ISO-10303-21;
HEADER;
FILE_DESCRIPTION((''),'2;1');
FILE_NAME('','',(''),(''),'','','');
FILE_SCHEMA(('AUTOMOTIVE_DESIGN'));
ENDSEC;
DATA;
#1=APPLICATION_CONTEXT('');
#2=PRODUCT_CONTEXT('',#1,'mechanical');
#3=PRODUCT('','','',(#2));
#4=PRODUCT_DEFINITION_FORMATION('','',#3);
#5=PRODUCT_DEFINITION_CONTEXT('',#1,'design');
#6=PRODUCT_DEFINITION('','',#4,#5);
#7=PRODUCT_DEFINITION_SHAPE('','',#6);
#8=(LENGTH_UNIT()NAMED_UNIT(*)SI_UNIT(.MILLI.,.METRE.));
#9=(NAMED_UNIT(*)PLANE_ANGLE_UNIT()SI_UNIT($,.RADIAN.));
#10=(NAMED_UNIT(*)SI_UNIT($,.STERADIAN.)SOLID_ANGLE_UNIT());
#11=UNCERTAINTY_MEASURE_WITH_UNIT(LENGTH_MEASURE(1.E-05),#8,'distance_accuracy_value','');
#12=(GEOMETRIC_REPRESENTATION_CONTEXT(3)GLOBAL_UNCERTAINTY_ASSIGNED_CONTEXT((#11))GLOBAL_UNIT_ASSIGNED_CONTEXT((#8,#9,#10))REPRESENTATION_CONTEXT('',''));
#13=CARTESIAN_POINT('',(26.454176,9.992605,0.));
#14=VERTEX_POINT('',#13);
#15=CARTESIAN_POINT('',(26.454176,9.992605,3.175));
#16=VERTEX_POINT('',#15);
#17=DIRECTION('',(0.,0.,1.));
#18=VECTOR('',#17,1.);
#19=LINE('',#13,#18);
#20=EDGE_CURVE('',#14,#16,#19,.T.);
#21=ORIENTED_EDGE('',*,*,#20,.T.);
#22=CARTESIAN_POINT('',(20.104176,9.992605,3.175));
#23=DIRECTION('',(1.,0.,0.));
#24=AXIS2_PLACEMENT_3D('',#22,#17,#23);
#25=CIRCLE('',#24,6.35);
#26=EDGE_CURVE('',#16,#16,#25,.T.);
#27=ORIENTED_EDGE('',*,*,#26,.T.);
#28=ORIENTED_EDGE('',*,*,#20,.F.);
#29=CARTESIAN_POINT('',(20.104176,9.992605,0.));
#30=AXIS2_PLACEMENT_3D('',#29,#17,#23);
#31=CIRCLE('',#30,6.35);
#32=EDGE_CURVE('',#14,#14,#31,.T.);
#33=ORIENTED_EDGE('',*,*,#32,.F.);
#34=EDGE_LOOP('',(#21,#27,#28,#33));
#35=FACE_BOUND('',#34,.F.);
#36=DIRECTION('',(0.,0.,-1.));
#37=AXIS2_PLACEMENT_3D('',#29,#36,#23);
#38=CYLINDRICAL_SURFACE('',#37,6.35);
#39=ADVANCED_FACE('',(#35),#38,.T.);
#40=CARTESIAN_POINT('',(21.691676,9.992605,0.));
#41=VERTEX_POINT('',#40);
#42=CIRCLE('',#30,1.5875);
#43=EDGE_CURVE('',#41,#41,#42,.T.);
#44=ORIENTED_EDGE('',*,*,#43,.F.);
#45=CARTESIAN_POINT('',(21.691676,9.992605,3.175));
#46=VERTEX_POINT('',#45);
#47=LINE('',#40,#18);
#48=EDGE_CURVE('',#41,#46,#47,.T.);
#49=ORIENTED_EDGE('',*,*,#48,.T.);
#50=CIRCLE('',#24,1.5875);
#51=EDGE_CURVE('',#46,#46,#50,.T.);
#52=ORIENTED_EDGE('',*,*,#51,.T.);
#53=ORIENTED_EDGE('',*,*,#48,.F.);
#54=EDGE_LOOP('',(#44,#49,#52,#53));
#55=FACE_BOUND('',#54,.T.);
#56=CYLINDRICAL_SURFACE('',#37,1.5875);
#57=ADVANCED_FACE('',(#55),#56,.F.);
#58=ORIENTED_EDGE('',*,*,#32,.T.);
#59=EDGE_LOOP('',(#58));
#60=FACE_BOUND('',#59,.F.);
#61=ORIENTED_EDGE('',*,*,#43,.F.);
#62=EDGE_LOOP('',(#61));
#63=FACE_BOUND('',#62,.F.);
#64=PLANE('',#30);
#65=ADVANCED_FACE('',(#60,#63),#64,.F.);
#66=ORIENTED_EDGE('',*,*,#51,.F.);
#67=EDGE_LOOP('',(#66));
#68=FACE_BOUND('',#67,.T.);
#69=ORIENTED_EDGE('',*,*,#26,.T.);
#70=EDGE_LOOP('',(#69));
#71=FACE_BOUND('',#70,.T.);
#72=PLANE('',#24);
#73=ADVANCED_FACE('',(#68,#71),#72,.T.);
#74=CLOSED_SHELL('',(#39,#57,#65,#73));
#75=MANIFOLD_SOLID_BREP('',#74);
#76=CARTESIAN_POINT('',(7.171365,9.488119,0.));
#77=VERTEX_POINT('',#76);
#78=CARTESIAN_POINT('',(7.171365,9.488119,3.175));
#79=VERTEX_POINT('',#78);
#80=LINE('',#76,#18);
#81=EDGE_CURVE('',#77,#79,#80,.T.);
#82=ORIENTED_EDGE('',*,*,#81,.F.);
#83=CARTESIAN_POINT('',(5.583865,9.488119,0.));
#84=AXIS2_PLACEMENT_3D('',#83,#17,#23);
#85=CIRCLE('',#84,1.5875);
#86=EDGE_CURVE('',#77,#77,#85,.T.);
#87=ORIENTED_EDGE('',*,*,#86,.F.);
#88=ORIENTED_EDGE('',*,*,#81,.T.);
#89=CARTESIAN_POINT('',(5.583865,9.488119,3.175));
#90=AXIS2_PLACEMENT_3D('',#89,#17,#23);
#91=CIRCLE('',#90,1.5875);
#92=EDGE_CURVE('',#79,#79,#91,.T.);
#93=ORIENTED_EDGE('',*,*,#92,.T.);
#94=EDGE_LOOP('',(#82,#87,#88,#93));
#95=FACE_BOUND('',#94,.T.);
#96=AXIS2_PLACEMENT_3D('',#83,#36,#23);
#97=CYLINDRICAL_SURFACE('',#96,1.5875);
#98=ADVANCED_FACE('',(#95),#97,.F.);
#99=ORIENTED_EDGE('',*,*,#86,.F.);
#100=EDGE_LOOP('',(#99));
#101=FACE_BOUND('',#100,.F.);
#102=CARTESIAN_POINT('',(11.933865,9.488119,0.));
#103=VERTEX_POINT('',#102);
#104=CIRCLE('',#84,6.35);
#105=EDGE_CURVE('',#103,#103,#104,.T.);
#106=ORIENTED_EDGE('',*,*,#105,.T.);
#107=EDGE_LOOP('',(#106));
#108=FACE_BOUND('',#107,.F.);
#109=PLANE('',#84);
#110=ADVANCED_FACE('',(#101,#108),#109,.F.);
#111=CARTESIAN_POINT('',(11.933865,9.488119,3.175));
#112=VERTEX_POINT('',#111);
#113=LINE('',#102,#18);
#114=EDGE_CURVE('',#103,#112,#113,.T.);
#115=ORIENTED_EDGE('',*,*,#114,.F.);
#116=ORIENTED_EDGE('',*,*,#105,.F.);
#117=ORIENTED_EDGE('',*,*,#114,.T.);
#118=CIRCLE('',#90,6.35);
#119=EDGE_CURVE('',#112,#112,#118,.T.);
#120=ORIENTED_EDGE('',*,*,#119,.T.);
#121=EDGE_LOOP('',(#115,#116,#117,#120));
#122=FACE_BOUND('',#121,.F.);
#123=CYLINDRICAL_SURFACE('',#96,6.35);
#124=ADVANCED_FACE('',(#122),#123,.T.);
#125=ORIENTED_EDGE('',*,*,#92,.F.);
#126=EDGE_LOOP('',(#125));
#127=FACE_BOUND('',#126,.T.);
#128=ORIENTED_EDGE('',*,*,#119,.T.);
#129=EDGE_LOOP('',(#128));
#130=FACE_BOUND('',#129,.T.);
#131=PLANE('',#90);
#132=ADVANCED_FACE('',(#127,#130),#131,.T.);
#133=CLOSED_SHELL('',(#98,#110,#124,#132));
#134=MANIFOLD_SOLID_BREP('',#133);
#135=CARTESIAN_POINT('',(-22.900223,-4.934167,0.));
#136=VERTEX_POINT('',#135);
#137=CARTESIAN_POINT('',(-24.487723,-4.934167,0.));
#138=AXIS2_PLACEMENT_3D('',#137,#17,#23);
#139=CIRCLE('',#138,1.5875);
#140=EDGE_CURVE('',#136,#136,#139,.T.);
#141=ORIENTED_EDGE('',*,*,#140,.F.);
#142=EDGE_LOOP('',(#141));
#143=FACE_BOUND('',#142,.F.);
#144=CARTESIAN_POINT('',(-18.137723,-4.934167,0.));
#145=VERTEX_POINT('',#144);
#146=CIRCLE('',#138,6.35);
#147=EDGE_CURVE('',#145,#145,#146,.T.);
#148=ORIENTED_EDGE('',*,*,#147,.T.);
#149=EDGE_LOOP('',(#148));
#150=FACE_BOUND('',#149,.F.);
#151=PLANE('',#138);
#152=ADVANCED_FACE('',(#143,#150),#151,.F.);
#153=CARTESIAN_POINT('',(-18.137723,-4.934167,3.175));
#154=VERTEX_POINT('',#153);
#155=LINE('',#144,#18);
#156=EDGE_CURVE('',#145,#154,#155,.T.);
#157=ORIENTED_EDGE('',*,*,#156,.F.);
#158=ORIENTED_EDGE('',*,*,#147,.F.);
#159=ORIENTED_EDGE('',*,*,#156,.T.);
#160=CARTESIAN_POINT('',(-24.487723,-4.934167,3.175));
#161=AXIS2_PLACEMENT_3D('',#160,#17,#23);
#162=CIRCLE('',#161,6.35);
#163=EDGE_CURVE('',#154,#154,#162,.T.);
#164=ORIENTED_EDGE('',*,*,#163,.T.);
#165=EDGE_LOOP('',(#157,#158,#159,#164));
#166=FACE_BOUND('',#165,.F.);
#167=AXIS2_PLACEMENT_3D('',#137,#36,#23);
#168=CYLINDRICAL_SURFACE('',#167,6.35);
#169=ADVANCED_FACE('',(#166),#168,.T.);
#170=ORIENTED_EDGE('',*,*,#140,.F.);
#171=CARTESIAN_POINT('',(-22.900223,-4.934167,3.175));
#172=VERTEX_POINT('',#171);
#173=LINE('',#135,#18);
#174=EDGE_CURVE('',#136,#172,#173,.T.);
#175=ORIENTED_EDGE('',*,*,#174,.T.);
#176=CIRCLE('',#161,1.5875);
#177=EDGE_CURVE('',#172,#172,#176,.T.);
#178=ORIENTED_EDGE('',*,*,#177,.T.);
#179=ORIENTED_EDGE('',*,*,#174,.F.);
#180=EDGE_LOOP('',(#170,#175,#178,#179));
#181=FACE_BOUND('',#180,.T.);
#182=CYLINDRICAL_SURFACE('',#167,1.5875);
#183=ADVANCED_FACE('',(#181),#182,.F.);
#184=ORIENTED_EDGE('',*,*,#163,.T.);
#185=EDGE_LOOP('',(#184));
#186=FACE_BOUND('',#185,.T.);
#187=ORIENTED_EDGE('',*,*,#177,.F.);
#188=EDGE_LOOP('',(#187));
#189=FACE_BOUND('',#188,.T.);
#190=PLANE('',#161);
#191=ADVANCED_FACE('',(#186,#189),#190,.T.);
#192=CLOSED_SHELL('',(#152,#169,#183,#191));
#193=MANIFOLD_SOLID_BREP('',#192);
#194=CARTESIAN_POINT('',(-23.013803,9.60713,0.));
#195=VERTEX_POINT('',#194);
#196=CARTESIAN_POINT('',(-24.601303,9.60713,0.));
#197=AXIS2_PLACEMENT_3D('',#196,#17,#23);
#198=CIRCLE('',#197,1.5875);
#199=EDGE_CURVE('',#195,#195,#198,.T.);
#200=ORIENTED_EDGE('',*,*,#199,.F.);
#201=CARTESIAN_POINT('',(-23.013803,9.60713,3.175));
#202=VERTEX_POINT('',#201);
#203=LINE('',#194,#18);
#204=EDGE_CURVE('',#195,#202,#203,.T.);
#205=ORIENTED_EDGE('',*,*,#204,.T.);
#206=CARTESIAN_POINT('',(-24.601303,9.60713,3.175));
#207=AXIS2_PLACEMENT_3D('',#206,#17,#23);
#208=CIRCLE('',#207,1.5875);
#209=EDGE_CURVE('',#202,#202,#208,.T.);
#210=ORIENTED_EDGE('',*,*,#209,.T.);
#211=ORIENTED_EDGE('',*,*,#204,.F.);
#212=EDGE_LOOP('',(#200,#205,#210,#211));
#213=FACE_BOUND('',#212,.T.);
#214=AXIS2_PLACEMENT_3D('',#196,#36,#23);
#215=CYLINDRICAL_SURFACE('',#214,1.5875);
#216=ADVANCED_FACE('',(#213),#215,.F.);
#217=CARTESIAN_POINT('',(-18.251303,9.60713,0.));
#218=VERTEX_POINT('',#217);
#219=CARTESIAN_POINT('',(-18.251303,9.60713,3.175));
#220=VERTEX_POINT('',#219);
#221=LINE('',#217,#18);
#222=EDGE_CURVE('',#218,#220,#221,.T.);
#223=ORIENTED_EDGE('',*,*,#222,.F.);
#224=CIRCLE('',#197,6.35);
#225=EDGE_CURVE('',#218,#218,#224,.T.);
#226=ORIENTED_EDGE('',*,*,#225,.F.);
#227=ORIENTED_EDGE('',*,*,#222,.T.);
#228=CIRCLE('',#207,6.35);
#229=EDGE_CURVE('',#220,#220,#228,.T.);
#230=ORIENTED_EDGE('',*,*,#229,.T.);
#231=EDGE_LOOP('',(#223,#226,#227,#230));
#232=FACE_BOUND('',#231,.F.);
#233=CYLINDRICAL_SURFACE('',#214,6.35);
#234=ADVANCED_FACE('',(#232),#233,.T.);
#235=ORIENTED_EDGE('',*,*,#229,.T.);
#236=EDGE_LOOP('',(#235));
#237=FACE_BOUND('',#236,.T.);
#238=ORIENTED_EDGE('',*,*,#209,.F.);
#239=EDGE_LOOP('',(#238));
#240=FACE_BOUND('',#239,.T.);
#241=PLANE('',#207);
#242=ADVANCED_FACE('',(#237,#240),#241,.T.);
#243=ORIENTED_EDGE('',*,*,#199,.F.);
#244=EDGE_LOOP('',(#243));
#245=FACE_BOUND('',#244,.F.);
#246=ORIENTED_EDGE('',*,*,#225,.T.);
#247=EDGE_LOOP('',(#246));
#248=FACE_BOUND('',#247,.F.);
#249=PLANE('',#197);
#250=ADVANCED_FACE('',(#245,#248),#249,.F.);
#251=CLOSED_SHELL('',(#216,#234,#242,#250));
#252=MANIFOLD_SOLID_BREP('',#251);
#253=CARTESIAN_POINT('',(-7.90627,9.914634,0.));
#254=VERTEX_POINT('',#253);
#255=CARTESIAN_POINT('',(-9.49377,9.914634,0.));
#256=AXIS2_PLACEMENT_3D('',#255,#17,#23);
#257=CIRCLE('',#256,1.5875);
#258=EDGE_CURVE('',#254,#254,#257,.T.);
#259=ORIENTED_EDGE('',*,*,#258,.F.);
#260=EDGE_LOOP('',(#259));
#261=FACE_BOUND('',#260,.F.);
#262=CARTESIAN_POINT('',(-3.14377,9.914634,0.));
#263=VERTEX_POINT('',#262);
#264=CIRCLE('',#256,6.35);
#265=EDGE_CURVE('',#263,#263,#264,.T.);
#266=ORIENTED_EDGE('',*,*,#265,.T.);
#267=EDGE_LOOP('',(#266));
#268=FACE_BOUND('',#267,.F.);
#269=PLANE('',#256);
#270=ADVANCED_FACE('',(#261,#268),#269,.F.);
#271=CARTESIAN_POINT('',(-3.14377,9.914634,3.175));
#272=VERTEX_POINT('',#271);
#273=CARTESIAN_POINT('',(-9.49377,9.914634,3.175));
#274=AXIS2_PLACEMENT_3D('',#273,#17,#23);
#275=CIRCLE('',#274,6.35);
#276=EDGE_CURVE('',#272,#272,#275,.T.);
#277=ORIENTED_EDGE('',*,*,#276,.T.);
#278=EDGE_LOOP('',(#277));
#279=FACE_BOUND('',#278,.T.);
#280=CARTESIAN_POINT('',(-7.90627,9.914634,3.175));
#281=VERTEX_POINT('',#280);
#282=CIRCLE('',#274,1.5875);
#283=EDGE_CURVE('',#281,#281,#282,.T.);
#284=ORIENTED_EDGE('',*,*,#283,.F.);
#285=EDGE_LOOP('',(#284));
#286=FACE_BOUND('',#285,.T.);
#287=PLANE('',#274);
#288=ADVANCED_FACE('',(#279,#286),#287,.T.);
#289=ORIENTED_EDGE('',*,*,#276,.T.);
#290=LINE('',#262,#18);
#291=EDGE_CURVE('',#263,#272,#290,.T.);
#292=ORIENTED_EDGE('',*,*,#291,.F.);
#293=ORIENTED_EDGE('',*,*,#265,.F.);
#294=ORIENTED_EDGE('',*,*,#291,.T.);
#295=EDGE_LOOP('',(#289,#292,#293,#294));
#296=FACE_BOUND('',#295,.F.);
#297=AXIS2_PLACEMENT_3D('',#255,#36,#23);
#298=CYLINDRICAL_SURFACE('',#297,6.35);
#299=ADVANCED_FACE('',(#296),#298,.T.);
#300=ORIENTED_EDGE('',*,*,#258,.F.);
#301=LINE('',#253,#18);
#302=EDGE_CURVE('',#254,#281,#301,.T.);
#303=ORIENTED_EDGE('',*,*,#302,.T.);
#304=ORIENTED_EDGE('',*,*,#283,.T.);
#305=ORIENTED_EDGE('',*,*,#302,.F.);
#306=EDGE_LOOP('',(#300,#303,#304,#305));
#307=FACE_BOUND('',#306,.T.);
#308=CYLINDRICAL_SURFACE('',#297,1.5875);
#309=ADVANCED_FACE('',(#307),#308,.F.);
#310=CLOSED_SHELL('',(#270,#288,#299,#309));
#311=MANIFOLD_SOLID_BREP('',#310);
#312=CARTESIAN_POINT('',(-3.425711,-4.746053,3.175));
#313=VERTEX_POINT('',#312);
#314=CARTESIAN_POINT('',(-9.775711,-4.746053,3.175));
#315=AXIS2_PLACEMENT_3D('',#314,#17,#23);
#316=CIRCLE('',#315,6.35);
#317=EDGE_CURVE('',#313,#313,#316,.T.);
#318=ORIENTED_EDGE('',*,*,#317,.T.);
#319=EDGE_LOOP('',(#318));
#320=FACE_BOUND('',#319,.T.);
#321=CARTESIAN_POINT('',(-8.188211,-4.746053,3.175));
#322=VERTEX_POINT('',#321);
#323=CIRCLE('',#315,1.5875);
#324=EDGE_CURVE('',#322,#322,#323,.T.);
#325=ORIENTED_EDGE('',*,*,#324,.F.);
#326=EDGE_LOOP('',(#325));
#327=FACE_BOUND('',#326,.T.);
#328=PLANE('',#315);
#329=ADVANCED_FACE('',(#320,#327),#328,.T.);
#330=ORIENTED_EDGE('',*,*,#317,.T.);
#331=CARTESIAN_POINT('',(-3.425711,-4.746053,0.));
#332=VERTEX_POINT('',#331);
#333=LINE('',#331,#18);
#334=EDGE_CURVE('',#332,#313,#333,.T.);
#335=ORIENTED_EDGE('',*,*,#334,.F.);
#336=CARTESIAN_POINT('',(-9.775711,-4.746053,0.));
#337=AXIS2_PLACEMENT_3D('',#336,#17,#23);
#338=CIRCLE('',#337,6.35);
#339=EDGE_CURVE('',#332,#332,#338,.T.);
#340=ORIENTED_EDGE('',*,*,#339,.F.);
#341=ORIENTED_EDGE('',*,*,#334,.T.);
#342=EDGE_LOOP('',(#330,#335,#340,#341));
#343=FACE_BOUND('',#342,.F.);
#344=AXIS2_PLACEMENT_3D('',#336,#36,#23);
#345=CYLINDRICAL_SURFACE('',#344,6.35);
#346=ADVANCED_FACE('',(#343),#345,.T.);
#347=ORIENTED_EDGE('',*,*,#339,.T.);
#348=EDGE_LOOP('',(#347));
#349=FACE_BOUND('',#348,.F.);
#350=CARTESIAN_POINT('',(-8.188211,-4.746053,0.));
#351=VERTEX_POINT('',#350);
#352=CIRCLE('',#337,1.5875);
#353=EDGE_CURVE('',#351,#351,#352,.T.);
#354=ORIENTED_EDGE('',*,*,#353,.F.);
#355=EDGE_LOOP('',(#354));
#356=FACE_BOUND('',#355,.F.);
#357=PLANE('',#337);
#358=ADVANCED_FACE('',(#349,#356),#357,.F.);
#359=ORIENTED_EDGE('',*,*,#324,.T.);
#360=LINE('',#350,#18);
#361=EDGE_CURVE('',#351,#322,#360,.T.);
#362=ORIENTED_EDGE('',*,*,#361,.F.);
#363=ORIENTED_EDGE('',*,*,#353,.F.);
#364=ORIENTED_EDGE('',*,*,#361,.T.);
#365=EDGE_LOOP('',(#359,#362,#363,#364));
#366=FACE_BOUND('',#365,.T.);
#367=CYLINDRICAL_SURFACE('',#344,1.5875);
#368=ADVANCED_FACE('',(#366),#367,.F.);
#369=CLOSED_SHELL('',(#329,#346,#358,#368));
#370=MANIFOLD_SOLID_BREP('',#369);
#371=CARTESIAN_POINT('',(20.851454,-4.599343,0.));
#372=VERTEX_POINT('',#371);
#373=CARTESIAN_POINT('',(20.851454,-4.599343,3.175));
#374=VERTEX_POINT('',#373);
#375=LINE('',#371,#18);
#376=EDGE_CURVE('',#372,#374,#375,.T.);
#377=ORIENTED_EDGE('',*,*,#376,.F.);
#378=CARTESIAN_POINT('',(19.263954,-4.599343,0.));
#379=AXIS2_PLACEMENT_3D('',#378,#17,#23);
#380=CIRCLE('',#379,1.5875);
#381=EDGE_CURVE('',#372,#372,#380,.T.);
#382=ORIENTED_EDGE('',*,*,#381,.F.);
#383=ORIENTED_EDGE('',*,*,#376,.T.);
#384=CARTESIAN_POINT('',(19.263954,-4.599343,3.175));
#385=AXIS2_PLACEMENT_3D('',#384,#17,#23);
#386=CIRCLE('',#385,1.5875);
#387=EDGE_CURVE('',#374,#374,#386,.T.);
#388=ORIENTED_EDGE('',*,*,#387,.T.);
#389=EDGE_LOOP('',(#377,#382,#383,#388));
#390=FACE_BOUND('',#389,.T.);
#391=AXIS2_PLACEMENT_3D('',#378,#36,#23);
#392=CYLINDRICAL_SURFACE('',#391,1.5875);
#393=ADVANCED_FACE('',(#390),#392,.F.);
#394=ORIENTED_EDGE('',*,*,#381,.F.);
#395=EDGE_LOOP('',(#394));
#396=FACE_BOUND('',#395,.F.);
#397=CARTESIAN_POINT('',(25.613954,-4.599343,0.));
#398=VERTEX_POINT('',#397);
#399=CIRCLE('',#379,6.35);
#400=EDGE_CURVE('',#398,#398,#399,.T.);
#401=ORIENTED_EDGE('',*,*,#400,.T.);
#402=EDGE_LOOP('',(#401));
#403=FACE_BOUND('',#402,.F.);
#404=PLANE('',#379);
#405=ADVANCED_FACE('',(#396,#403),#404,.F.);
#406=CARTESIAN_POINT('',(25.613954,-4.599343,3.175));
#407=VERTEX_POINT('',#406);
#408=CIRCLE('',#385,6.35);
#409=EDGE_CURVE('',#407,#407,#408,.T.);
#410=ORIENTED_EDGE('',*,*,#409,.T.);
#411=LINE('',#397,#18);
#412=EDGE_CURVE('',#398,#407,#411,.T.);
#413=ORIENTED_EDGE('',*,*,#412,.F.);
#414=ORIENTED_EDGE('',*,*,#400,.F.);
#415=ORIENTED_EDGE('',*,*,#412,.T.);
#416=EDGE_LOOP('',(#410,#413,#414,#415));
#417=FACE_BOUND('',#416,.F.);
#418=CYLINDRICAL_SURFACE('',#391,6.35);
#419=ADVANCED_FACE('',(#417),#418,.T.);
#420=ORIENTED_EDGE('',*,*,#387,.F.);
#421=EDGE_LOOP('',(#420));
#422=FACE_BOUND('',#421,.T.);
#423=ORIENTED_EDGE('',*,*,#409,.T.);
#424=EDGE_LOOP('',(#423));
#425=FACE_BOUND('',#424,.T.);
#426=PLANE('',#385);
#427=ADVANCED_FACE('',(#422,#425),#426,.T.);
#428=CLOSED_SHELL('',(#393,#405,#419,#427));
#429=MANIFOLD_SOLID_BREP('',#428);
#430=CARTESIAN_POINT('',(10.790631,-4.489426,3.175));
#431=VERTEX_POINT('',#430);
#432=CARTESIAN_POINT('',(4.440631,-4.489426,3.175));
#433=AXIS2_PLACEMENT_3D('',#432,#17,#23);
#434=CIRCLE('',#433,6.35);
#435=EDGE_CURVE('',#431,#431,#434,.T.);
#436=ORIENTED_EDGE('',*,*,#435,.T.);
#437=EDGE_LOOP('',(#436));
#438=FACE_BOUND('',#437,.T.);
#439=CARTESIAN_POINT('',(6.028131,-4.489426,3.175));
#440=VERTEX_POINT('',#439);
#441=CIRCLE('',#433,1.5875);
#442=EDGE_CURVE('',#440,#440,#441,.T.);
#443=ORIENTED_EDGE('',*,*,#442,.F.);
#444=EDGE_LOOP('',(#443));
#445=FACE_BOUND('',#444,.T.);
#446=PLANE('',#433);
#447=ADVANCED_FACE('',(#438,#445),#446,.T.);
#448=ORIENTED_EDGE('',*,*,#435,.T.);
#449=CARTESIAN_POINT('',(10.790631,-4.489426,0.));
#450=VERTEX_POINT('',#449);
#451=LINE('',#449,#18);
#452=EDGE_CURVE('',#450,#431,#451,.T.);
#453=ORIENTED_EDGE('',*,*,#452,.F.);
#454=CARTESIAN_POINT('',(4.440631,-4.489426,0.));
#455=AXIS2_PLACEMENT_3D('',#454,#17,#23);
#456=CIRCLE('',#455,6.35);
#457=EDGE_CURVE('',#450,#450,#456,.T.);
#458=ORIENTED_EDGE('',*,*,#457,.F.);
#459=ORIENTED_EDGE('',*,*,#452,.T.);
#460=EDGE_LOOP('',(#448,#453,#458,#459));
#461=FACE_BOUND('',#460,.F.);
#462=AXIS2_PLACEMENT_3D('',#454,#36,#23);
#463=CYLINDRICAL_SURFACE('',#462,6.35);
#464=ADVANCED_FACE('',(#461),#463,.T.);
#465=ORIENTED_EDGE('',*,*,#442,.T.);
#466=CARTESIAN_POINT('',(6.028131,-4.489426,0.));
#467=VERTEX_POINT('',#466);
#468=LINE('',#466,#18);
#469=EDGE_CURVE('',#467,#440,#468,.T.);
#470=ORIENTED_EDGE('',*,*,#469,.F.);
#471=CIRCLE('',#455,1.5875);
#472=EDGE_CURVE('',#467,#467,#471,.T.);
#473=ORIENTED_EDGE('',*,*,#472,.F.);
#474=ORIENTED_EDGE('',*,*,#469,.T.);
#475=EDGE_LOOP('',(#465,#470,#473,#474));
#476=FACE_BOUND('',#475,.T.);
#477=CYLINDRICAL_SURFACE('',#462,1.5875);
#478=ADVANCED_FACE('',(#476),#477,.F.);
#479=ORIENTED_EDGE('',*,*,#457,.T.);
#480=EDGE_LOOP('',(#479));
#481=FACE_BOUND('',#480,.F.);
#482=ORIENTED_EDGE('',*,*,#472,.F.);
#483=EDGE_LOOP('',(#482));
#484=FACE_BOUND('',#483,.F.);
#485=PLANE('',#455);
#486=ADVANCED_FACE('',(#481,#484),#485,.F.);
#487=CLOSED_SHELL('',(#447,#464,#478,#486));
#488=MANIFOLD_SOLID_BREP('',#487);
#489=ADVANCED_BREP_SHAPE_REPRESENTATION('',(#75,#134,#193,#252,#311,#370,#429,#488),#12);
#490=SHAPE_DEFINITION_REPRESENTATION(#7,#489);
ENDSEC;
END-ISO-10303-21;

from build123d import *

# Parameters (mm, degrees)
F0_R     = 6.35
F0_R_2   = 1.5875
F1_DEPTH = 3.175


with BuildPart() as f1:
    # F0 (on Top) → F1 (new body)
    with BuildSketch(Plane.XY):
        with Locations((-24.601303, 9.60713)):
            Circle(F0_R)
        with Locations((-24.601303, 9.60713)):
            Circle(F0_R_2, mode=Mode.SUBTRACT)
        with Locations((-9.49377, 9.914634)):
            Circle(F0_R)
        with Locations((-9.49377, 9.914634)):
            Circle(F0_R_2, mode=Mode.SUBTRACT)
        with Locations((5.583865, 9.488119)):
            Circle(F0_R)
        with Locations((5.583865, 9.488119)):
            Circle(F0_R_2, mode=Mode.SUBTRACT)
        with Locations((20.104176, 9.992605)):
            Circle(F0_R)
        with Locations((20.104176, 9.992605)):
            Circle(F0_R_2, mode=Mode.SUBTRACT)
        with Locations((-24.487723, -4.934167)):
            Circle(F0_R)
        with Locations((-24.487723, -4.934167)):
            Circle(F0_R_2, mode=Mode.SUBTRACT)
        with Locations((4.440631, -4.489426)):
            Circle(F0_R)
        with Locations((4.440631, -4.489426)):
            Circle(F0_R_2, mode=Mode.SUBTRACT)
        with Locations((-9.775711, -4.746053)):
            Circle(F0_R)
        with Locations((-9.775711, -4.746053)):
            Circle(F0_R_2, mode=Mode.SUBTRACT)
        with Locations((19.263954, -4.599343)):
            Circle(F0_R)
        with Locations((19.263954, -4.599343)):
            Circle(F0_R_2, mode=Mode.SUBTRACT)
    extrude(amount=F1_DEPTH)


solid = f1.part
